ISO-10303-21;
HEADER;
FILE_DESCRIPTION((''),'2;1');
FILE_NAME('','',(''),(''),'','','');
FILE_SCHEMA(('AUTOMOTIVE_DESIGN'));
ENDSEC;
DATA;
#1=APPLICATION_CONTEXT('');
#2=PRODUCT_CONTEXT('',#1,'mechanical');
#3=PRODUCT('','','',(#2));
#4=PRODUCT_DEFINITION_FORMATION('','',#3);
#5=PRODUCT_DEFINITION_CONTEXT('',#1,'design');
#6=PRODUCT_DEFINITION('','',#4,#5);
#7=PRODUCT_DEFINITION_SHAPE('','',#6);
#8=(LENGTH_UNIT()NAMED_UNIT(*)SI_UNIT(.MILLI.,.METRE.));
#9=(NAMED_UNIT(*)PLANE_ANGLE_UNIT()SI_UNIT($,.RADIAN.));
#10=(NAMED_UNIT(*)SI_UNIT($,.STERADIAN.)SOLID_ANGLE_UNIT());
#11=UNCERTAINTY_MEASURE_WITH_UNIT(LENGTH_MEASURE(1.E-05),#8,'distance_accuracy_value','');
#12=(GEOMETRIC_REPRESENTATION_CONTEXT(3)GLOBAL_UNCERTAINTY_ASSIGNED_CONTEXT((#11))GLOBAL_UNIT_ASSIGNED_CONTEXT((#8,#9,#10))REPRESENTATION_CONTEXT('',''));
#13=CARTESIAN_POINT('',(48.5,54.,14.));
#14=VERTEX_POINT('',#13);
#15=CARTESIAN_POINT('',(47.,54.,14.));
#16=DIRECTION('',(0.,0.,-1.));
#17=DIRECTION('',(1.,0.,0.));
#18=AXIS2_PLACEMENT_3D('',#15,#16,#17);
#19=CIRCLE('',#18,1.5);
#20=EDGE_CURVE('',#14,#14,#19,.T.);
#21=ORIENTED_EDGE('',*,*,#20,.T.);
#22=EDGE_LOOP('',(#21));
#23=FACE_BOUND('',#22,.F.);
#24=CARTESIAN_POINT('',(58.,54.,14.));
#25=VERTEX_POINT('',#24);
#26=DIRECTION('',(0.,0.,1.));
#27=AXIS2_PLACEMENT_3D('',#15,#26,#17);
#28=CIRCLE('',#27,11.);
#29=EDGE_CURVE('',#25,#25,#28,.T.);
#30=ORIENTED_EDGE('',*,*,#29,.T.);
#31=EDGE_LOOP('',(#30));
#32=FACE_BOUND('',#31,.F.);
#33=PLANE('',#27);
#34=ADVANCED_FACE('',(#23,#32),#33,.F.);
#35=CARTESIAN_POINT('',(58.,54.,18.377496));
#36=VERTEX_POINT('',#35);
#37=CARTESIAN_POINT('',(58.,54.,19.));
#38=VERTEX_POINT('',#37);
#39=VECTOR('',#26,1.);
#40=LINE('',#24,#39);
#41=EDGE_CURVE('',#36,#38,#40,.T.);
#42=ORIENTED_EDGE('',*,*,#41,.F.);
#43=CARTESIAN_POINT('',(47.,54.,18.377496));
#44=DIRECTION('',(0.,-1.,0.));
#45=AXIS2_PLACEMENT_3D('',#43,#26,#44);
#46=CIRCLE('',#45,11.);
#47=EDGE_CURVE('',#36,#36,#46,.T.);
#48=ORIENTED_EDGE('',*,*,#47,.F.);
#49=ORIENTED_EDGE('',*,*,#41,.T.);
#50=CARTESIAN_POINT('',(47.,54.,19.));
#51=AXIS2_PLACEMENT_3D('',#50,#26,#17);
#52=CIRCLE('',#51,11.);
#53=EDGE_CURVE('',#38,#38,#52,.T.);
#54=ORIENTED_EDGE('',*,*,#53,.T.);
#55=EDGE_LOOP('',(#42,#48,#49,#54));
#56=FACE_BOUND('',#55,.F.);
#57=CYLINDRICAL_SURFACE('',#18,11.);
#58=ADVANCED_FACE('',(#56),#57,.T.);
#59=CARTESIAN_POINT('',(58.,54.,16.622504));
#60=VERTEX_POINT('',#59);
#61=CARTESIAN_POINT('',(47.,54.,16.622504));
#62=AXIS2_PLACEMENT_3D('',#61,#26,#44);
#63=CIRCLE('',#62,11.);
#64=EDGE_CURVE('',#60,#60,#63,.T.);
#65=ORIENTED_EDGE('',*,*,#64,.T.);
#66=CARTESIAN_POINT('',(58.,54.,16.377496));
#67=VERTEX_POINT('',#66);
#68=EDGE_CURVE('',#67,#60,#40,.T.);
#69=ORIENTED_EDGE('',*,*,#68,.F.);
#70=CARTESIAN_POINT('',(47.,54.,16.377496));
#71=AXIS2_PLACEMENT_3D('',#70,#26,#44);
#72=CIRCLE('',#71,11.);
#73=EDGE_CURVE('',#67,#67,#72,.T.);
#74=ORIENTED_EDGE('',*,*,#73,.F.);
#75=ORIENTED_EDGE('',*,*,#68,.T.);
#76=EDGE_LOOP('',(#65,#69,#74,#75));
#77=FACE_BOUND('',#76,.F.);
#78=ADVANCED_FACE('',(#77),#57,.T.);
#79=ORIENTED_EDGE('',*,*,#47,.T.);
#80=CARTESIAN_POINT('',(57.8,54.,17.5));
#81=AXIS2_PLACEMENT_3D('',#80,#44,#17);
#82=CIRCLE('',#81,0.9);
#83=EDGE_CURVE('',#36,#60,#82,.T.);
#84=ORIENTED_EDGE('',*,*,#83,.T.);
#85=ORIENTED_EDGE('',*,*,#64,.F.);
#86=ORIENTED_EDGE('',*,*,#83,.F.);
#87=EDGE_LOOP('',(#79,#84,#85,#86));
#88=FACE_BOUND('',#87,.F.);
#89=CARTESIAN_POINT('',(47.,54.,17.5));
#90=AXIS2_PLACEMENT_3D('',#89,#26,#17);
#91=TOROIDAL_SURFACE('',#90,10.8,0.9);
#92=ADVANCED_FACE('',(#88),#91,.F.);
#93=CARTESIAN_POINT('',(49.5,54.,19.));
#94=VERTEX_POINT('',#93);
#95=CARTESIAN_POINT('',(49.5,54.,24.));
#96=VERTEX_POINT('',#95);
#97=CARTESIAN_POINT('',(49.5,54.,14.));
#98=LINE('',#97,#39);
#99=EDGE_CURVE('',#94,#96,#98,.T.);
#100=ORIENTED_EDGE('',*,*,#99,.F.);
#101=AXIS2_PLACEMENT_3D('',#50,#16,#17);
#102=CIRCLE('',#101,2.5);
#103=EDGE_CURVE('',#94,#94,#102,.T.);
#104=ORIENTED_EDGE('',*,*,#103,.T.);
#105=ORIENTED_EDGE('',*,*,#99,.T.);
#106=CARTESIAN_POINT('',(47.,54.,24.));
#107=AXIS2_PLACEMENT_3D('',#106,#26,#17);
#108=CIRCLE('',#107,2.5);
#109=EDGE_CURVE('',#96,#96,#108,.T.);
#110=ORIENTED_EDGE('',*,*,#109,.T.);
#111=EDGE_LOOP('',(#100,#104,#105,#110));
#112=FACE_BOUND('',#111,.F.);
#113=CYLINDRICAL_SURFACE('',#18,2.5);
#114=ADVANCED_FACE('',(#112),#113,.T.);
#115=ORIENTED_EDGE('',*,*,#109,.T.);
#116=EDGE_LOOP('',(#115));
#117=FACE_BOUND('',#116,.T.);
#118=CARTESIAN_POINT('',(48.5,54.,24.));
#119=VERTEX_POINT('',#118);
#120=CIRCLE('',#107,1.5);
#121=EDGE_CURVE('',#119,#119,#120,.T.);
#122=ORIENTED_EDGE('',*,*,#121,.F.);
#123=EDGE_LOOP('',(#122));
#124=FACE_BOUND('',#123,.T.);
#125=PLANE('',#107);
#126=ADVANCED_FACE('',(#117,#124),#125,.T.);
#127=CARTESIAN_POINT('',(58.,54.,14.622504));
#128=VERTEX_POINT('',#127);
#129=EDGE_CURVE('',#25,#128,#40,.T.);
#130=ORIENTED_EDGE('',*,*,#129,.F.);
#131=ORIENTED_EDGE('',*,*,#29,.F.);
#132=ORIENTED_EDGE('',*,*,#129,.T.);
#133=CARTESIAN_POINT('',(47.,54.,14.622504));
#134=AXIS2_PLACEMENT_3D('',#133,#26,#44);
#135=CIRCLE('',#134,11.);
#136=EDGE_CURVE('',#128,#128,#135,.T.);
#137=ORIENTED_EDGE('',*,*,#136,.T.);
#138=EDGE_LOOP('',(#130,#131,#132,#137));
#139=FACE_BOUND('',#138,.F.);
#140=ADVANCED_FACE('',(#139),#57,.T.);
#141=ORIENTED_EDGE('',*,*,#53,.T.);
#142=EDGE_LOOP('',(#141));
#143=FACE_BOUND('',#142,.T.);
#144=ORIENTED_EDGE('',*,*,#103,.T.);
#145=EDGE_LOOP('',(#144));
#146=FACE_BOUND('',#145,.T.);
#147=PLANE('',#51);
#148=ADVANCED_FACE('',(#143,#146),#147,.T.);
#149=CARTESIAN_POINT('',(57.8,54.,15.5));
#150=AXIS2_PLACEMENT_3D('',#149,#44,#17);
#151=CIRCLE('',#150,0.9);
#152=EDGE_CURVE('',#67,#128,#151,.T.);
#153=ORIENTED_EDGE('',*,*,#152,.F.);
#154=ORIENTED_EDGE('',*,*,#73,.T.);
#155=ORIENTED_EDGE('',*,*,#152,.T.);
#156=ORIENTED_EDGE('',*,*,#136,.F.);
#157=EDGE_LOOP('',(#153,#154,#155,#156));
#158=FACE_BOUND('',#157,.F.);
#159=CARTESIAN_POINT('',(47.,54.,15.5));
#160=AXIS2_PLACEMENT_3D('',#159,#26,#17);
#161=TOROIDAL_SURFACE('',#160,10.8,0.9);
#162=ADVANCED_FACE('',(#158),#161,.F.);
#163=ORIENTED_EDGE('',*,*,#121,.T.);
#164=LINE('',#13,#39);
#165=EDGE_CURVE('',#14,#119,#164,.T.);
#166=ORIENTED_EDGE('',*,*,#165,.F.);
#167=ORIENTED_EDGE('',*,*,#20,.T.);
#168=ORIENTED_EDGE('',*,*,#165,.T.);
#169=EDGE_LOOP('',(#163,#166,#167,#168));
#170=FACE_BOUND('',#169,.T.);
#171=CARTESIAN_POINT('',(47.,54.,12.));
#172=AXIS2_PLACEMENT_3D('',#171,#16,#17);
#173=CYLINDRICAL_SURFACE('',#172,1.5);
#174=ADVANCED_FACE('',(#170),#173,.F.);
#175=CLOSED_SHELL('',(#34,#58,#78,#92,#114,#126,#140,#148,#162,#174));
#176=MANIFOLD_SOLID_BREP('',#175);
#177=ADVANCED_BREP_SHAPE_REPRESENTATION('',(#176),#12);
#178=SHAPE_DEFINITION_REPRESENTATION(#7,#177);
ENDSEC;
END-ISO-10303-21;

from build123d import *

# Parameters (mm, degrees)
CYLINDER020_R     = 1.5
CYLINDER020_DEPTH = 22
TORUS003_R        = 0.9
TORUS002_R        = 0.9
CYLINDER018_R     = 11
CYLINDER018_DEPTH = 5
CYLINDER017_R     = 1.5
CYLINDER017_DEPTH = 10
CYLINDER019_R     = 2.5
CYLINDER019_DEPTH = 10


with BuildPart() as cylinder020:
    # Cylinder020 → Cylinder020 (new body)
    with BuildSketch(Plane.XY.offset(-4)):
        Circle(CYLINDER020_R)
    extrude(amount=CYLINDER020_DEPTH)


with BuildPart() as torus003:
    # Torus003 → Torus003 (revolve)
    with BuildSketch(Plane(origin=(0, 0, -0.5), x_dir=(1, 0, 0), z_dir=(0, -1, 0))):
        with Locations((10.8, 0)):
            Circle(TORUS003_R)
    revolve(axis=Axis((0, 0, -0.5), (0, 0, 1)))


with BuildPart() as torus002:
    # Torus002 → Torus002 (revolve)
    with BuildSketch(Plane(origin=(0, 0, 1.5), x_dir=(1, 0, 0), z_dir=(0, -1, 0))):
        with Locations((10.8, 0)):
            Circle(TORUS002_R)
    revolve(axis=Axis((0, 0, 1.5), (0, 0, 1)))


with BuildPart() as cylinder018:
    # Cylinder018 → Cylinder018 (new body)
    with BuildSketch(Plane.XY.offset(-2)):
        Circle(CYLINDER018_R)
    extrude(amount=CYLINDER018_DEPTH)


with BuildPart() as cylinder017:
    # Cylinder017 → Cylinder017 (new body)
    with BuildSketch(Plane.XY.offset(-2)):
        Circle(CYLINDER017_R)
    extrude(amount=CYLINDER017_DEPTH)


with BuildPart() as cut013:
    # Cylinder019 → Cylinder019 (new body)
    with BuildSketch(Plane.XY.offset(-2)):
        Circle(CYLINDER019_R)
    extrude(amount=CYLINDER019_DEPTH)

    # Cut010: cut Cylinder017
    add(cylinder017.part, mode=Mode.SUBTRACT)

    # Fusion012: union Cylinder018
    add(cylinder018.part)

    # Cut011: cut Torus002
    add(torus002.part, mode=Mode.SUBTRACT)

    # Cut012: cut Torus003
    add(torus003.part, mode=Mode.SUBTRACT)

    # Cut013: cut Cylinder020
    add(cylinder020.part, mode=Mode.SUBTRACT)


with BuildPart() as cut013_1:
    # Cut013 placement: moved
    add(cut013.part.moved(Location((47, 54, 16))))


solid = cut013_1.part
